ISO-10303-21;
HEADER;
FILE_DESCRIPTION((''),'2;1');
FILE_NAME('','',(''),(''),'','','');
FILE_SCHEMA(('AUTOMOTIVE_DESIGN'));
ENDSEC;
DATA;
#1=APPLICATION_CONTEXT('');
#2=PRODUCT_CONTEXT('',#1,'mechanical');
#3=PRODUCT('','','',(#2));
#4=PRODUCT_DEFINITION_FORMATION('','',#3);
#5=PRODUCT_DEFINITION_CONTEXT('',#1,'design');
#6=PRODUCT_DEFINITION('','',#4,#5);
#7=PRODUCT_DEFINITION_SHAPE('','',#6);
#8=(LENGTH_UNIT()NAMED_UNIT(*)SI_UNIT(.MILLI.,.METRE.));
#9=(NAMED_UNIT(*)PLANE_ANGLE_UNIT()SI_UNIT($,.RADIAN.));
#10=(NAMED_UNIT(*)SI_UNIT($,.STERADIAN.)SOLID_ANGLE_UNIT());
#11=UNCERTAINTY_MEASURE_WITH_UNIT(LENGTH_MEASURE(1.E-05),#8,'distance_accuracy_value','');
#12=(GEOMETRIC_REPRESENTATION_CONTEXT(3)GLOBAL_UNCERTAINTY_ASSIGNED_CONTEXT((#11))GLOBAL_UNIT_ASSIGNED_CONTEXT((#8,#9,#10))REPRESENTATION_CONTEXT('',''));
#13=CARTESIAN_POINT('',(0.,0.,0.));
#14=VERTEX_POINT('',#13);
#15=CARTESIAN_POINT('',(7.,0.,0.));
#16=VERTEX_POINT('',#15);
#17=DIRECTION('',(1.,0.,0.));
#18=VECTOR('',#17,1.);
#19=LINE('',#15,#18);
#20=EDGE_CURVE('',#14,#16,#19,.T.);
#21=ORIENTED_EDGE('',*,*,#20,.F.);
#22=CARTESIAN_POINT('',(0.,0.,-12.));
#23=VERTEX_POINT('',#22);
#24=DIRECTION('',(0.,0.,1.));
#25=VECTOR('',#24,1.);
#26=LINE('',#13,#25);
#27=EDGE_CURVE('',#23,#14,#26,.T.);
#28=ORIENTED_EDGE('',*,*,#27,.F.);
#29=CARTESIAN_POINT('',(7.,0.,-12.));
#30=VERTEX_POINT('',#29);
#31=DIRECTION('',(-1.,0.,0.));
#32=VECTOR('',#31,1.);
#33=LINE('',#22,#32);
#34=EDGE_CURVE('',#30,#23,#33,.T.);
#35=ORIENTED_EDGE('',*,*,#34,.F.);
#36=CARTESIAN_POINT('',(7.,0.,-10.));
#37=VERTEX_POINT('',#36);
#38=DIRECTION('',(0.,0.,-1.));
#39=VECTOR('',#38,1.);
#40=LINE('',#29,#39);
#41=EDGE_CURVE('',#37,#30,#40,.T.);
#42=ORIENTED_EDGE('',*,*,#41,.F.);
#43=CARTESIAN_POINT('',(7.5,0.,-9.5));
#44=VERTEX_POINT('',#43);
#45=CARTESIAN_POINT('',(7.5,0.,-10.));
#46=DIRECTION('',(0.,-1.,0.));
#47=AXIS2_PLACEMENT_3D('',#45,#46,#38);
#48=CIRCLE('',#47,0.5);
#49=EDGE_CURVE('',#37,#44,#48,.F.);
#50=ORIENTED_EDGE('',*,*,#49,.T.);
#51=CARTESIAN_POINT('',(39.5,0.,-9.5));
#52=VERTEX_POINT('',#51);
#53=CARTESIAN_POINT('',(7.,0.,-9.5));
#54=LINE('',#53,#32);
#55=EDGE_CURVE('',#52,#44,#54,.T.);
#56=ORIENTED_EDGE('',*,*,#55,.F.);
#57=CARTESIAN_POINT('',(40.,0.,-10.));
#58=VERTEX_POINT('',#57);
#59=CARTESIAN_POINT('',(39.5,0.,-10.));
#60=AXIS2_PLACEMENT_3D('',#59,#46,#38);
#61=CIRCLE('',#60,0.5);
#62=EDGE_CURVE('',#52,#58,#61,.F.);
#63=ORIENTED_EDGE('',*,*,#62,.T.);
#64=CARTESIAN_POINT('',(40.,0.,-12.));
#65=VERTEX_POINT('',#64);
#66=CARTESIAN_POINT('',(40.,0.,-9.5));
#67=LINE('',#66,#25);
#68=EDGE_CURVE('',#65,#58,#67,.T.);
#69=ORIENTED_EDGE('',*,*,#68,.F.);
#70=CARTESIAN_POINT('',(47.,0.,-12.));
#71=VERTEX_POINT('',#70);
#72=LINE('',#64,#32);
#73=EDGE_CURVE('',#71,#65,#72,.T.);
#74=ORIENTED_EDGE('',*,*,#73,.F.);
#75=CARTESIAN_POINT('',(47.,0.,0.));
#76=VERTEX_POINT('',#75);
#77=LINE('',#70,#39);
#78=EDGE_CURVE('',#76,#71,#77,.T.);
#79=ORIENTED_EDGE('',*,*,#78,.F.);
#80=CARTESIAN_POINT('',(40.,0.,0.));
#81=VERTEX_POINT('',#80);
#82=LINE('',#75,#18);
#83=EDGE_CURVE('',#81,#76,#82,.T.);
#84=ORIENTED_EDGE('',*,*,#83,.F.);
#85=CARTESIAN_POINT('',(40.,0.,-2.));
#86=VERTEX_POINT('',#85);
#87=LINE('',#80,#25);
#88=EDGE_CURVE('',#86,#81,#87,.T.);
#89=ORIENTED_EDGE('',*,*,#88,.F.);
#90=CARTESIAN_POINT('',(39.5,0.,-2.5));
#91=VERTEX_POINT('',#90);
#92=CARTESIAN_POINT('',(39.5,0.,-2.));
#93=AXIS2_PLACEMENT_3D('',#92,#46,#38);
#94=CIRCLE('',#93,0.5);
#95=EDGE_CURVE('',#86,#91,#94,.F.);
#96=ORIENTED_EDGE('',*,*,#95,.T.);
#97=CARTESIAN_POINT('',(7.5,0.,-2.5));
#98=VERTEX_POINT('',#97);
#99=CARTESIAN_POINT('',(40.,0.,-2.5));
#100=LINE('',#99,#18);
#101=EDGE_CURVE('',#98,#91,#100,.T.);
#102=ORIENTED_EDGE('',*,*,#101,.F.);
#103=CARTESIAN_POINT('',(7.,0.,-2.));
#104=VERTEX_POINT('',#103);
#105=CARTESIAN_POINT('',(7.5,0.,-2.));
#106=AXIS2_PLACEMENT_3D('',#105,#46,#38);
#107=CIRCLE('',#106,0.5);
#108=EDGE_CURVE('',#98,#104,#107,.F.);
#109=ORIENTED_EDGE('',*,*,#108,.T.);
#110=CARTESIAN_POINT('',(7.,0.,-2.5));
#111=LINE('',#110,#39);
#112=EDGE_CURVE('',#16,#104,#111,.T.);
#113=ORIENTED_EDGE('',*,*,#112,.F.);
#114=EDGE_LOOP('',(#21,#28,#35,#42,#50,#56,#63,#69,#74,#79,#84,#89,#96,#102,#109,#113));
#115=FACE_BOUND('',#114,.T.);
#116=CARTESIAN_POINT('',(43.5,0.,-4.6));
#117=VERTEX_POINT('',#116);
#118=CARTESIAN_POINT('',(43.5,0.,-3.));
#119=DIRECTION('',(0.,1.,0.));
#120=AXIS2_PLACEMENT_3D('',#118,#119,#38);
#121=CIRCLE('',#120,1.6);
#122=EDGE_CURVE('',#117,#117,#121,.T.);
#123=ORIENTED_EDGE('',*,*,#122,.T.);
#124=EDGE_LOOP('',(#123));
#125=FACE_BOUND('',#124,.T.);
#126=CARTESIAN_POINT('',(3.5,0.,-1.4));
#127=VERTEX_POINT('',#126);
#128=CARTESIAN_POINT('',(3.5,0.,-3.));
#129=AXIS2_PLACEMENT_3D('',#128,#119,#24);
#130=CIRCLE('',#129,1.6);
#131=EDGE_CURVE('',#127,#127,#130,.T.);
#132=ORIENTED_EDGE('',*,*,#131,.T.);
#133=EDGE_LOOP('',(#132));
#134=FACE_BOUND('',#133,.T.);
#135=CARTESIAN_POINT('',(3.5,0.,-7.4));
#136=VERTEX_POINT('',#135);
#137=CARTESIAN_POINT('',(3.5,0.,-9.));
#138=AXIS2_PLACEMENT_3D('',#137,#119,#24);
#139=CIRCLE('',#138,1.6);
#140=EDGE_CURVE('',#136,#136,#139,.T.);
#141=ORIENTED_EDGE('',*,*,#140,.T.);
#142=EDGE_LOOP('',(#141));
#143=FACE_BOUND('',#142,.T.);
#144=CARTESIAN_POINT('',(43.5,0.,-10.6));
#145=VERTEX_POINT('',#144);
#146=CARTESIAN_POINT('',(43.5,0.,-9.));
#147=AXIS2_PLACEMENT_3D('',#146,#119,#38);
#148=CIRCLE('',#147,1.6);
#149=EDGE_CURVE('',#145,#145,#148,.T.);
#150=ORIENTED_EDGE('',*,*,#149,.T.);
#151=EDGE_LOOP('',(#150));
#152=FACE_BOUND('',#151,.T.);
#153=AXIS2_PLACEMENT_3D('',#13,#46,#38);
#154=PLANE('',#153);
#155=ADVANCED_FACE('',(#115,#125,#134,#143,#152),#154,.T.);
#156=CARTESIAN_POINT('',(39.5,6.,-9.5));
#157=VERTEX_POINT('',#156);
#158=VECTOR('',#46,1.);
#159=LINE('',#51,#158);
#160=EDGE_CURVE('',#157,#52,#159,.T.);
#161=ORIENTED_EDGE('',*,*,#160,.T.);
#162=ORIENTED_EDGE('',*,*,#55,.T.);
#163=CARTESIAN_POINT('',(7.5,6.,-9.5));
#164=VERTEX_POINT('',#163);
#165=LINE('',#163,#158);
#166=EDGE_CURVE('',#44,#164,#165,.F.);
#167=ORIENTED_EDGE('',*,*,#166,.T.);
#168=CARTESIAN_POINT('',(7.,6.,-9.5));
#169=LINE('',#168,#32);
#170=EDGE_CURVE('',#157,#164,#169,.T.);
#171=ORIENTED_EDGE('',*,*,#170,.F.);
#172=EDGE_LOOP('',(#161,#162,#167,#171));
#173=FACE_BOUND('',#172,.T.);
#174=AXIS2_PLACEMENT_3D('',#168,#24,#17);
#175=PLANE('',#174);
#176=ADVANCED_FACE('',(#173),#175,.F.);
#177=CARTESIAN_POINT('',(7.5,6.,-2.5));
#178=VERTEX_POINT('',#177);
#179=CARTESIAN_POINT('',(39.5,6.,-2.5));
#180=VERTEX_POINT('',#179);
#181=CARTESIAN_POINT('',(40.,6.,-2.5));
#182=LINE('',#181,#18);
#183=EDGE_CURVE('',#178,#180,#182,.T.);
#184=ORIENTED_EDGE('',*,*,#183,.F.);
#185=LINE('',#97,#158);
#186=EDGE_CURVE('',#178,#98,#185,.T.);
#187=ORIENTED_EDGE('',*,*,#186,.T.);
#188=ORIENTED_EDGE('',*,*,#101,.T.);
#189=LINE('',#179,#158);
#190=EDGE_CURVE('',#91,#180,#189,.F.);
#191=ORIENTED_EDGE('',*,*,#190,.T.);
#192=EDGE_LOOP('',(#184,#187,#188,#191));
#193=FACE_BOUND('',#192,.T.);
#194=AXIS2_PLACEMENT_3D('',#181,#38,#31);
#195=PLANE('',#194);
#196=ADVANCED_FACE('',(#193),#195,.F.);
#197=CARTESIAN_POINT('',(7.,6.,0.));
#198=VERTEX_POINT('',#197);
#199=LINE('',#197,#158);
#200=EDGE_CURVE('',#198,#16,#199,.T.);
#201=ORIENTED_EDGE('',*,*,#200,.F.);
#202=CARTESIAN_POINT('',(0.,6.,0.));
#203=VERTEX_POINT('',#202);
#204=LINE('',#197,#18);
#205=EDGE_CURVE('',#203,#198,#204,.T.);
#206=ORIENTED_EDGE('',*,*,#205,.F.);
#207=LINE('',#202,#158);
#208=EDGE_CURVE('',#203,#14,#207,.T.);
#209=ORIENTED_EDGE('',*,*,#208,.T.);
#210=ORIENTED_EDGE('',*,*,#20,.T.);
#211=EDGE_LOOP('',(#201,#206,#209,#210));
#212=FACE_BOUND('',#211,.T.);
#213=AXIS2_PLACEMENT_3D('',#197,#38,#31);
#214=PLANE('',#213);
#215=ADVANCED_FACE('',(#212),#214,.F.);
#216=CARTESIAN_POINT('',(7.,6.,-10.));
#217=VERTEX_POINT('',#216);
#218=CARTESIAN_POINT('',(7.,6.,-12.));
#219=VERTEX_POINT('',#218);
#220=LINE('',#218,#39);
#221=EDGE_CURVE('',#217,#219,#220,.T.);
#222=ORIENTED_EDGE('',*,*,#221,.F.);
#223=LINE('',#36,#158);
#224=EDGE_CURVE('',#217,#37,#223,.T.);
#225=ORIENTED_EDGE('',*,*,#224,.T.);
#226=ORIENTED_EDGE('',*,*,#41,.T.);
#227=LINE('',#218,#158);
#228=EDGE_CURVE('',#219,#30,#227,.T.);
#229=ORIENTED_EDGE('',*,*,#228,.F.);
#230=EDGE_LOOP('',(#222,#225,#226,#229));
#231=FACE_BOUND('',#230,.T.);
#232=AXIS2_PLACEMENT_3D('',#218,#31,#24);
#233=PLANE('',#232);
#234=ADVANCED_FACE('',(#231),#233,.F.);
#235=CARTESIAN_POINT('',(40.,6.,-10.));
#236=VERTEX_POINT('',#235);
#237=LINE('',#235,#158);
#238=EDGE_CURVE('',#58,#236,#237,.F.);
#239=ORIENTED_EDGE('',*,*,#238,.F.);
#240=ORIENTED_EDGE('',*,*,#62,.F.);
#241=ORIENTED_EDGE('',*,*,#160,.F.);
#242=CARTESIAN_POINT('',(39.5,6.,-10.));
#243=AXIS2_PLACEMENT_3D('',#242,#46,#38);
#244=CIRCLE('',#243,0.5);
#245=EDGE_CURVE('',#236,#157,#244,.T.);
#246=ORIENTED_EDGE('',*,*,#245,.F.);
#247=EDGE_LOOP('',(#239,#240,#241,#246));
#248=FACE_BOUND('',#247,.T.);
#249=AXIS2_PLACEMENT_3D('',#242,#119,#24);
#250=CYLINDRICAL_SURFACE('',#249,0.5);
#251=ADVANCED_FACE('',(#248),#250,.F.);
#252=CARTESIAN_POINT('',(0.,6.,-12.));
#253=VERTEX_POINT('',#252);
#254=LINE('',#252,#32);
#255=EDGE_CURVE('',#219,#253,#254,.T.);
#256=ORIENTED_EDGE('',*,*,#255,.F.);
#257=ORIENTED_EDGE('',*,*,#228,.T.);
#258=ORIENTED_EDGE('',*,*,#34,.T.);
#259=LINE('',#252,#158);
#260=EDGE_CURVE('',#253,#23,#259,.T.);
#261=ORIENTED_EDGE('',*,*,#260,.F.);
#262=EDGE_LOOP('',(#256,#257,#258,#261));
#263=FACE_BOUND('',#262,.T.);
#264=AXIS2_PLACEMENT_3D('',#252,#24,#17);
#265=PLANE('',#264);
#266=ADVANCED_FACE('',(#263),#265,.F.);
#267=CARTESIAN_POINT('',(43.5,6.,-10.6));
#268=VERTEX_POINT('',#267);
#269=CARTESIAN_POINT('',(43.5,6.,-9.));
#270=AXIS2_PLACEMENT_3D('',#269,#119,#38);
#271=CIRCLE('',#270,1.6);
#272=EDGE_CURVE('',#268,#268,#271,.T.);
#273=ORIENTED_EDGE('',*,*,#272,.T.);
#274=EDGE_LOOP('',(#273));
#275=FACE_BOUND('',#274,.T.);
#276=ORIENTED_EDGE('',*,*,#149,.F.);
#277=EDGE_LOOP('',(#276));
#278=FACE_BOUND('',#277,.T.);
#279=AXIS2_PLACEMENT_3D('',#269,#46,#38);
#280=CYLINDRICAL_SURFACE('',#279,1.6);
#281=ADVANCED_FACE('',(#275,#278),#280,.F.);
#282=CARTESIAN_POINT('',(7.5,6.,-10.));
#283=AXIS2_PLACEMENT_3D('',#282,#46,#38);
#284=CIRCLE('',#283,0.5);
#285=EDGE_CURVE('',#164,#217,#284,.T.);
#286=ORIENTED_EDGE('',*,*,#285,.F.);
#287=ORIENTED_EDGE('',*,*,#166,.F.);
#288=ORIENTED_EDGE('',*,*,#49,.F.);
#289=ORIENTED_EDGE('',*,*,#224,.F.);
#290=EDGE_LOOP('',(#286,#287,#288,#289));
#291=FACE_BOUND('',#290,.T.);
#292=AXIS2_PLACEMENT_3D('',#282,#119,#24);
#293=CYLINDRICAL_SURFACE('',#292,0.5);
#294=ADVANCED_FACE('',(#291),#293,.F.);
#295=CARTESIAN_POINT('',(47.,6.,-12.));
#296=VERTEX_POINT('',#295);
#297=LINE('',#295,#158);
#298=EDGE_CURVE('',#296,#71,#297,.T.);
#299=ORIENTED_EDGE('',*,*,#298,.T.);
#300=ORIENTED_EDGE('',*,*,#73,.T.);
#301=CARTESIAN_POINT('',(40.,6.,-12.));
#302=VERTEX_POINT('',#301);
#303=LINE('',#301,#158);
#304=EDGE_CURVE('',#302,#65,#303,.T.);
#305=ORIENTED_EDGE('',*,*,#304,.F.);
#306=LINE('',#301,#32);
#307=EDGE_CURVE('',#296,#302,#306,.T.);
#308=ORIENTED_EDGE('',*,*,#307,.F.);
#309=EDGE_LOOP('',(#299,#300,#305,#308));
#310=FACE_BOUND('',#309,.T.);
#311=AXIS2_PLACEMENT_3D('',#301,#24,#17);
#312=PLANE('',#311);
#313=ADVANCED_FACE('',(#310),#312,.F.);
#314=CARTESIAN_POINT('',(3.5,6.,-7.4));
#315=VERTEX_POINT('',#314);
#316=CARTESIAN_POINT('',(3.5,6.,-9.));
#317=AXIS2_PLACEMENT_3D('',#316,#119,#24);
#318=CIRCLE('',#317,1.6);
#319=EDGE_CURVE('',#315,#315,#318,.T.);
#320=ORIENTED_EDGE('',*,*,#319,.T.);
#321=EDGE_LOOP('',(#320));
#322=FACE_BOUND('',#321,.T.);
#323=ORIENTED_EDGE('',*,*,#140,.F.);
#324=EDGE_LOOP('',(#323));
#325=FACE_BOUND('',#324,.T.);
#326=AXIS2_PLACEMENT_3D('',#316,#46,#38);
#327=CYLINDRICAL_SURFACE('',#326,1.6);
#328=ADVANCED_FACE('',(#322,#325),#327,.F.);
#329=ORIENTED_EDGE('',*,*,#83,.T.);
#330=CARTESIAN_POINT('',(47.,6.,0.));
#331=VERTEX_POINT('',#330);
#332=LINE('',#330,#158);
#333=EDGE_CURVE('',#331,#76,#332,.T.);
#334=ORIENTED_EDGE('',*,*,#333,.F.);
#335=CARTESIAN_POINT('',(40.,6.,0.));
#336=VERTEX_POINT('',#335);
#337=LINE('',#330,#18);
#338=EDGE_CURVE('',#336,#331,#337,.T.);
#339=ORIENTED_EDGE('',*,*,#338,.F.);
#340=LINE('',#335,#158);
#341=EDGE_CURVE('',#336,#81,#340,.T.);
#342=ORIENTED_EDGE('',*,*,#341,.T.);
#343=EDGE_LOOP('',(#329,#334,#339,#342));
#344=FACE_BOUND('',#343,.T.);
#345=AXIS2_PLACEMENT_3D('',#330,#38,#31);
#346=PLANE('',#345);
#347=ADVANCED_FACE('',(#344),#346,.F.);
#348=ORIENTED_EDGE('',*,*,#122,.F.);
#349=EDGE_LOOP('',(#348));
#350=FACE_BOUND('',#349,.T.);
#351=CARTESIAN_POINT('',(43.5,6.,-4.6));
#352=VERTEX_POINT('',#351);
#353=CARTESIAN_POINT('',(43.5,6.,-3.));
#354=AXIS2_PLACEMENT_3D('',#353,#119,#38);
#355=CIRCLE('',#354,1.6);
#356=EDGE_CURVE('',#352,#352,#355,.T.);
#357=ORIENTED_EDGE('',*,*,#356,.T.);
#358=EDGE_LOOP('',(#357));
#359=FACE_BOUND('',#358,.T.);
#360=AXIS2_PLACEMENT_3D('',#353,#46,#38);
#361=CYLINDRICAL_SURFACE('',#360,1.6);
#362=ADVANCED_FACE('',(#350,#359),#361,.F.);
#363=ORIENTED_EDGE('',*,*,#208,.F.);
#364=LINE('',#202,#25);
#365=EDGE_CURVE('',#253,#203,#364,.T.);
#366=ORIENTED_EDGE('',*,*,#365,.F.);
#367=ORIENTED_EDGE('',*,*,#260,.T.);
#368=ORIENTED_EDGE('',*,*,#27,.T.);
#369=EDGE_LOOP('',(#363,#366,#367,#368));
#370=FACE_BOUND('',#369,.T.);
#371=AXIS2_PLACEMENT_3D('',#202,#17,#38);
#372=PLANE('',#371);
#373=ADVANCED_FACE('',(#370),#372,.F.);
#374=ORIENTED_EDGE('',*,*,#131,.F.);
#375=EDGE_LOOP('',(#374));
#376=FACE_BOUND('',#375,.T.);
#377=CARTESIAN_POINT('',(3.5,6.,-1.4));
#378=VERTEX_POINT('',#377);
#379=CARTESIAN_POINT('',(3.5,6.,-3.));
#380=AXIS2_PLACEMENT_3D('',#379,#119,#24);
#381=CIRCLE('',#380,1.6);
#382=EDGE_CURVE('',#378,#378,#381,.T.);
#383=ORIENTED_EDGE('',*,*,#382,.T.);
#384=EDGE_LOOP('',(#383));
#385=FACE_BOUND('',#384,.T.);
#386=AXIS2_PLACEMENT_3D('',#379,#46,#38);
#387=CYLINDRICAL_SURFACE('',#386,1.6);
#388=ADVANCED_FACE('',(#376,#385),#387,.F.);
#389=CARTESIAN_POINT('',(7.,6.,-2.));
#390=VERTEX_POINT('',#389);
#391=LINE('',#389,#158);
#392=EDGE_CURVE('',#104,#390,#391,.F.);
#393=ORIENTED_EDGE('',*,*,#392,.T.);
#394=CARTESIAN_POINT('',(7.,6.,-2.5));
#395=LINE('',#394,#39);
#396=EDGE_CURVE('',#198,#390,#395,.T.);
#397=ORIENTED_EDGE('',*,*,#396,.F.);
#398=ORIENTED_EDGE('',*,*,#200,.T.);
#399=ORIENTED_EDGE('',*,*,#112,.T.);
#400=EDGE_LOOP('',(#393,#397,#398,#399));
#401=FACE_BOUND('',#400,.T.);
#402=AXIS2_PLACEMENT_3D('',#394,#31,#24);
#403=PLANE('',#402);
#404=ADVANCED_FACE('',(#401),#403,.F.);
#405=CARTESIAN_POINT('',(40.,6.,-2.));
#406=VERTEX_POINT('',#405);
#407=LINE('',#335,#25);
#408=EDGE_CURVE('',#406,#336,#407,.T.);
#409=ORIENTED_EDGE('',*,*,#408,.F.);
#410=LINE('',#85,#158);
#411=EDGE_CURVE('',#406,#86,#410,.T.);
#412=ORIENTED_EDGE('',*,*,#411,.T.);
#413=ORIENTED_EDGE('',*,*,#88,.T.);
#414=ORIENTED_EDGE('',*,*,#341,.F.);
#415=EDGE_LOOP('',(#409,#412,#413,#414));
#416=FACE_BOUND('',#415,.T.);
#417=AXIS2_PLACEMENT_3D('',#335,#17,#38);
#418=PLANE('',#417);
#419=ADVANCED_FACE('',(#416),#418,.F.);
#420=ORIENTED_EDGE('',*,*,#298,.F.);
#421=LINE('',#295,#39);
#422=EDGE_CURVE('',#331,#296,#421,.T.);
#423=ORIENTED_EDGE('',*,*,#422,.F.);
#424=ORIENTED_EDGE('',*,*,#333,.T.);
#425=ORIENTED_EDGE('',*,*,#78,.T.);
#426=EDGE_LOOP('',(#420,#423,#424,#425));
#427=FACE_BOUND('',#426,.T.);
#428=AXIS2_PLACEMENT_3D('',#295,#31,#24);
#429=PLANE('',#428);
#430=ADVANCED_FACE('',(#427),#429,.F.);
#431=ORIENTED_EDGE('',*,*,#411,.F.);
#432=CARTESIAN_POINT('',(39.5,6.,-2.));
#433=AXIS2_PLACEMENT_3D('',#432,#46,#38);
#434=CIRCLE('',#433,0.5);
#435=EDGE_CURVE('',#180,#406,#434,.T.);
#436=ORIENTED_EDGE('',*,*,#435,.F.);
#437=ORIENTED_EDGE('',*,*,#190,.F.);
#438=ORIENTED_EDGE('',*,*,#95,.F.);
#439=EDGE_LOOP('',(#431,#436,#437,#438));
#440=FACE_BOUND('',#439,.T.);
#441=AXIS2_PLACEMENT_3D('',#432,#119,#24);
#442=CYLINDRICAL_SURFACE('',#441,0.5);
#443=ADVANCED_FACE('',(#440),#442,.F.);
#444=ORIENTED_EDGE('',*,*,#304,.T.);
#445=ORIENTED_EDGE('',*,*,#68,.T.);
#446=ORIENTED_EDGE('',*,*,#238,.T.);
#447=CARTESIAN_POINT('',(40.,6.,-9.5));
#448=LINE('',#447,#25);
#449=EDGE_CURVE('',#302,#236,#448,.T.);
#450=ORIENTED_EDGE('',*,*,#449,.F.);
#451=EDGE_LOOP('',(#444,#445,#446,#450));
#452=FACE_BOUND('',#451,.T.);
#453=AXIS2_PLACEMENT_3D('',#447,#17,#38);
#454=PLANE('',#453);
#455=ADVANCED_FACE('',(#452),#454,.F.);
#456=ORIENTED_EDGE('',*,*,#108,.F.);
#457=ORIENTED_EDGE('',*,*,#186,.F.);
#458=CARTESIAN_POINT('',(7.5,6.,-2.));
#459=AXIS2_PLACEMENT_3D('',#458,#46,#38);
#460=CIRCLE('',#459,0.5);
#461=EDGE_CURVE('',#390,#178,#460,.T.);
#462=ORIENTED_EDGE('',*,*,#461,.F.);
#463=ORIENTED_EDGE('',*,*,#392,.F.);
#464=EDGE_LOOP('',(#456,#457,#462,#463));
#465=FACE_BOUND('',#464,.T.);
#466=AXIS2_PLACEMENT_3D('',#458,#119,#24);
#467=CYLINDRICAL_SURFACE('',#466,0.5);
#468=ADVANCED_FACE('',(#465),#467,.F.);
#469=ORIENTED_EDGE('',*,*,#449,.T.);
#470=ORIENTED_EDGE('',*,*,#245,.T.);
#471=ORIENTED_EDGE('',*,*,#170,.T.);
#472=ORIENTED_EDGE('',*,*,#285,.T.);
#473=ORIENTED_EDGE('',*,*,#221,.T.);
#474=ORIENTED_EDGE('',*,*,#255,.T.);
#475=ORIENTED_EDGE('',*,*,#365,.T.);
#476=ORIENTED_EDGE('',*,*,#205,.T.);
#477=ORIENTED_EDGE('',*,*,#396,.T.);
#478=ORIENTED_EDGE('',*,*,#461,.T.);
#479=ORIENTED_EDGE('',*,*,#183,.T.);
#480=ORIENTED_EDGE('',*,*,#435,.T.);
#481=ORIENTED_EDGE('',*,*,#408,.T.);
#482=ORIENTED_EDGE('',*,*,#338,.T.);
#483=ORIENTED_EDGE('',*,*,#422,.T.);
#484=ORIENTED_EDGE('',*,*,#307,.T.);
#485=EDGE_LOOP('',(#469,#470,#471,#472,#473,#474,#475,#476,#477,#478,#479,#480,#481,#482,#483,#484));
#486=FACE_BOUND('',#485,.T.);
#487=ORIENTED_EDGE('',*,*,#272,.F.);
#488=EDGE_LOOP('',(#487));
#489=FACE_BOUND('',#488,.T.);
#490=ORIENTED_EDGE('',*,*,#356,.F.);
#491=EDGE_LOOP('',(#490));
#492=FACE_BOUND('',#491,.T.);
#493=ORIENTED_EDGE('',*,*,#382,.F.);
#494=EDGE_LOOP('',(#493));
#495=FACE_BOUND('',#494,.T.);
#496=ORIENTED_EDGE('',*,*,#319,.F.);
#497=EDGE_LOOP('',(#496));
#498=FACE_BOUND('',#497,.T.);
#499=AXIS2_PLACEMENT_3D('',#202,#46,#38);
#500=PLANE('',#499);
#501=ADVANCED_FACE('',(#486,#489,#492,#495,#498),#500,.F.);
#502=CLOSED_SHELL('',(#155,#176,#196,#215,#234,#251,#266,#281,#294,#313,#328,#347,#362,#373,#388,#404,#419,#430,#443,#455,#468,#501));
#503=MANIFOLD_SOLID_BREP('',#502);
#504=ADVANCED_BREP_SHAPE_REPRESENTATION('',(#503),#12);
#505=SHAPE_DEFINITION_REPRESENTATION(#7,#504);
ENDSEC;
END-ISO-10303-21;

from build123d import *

# Parameters (mm, degrees)
SKETCH1_R           = 1.6
BOSS_EXTRUDE1_DEPTH = 6
FILLET1_R           = 0.5


with BuildPart() as part:
    # Sketch1 → Boss-Extrude1 (new body)
    with BuildSketch(Plane(origin=(0, 0, 0), x_dir=(1, 0, 0), z_dir=(0, 1, 0))):
        Polygon((0, 0), (0, 12), (7, 12), (7, 9.5), (40, 9.5), (40, 12), (47, 12), (47, 0), (40, 0), (40, 2.5), (7, 2.5), (7, 0), align=None)
        with Locations(Location((3.5, 9, 0), (0, 0, 270))):
            Circle(SKETCH1_R, mode=Mode.SUBTRACT)
        with Locations(Location((3.5, 3, 0), (0, 0, 270))):
            Circle(SKETCH1_R, mode=Mode.SUBTRACT)
        with Locations(Location((43.5, 3, 0), (0, 0, 90))):
            Circle(SKETCH1_R, mode=Mode.SUBTRACT)
        with Locations(Location((43.5, 9, 0), (0, 0, 90))):
            Circle(SKETCH1_R, mode=Mode.SUBTRACT)
    extrude(amount=BOSS_EXTRUDE1_DEPTH)

    # Fillet1
    fillet1_edges = [part.edges().sort_by_distance(p)[0] for p in [
        (7, 3, -9.5),
        (40, 3, -9.5),
        (40, 3, -2.5),
        (7, 3, -2.5),
    ]]
    fillet(fillet1_edges, radius=FILLET1_R)


solid = part.part
